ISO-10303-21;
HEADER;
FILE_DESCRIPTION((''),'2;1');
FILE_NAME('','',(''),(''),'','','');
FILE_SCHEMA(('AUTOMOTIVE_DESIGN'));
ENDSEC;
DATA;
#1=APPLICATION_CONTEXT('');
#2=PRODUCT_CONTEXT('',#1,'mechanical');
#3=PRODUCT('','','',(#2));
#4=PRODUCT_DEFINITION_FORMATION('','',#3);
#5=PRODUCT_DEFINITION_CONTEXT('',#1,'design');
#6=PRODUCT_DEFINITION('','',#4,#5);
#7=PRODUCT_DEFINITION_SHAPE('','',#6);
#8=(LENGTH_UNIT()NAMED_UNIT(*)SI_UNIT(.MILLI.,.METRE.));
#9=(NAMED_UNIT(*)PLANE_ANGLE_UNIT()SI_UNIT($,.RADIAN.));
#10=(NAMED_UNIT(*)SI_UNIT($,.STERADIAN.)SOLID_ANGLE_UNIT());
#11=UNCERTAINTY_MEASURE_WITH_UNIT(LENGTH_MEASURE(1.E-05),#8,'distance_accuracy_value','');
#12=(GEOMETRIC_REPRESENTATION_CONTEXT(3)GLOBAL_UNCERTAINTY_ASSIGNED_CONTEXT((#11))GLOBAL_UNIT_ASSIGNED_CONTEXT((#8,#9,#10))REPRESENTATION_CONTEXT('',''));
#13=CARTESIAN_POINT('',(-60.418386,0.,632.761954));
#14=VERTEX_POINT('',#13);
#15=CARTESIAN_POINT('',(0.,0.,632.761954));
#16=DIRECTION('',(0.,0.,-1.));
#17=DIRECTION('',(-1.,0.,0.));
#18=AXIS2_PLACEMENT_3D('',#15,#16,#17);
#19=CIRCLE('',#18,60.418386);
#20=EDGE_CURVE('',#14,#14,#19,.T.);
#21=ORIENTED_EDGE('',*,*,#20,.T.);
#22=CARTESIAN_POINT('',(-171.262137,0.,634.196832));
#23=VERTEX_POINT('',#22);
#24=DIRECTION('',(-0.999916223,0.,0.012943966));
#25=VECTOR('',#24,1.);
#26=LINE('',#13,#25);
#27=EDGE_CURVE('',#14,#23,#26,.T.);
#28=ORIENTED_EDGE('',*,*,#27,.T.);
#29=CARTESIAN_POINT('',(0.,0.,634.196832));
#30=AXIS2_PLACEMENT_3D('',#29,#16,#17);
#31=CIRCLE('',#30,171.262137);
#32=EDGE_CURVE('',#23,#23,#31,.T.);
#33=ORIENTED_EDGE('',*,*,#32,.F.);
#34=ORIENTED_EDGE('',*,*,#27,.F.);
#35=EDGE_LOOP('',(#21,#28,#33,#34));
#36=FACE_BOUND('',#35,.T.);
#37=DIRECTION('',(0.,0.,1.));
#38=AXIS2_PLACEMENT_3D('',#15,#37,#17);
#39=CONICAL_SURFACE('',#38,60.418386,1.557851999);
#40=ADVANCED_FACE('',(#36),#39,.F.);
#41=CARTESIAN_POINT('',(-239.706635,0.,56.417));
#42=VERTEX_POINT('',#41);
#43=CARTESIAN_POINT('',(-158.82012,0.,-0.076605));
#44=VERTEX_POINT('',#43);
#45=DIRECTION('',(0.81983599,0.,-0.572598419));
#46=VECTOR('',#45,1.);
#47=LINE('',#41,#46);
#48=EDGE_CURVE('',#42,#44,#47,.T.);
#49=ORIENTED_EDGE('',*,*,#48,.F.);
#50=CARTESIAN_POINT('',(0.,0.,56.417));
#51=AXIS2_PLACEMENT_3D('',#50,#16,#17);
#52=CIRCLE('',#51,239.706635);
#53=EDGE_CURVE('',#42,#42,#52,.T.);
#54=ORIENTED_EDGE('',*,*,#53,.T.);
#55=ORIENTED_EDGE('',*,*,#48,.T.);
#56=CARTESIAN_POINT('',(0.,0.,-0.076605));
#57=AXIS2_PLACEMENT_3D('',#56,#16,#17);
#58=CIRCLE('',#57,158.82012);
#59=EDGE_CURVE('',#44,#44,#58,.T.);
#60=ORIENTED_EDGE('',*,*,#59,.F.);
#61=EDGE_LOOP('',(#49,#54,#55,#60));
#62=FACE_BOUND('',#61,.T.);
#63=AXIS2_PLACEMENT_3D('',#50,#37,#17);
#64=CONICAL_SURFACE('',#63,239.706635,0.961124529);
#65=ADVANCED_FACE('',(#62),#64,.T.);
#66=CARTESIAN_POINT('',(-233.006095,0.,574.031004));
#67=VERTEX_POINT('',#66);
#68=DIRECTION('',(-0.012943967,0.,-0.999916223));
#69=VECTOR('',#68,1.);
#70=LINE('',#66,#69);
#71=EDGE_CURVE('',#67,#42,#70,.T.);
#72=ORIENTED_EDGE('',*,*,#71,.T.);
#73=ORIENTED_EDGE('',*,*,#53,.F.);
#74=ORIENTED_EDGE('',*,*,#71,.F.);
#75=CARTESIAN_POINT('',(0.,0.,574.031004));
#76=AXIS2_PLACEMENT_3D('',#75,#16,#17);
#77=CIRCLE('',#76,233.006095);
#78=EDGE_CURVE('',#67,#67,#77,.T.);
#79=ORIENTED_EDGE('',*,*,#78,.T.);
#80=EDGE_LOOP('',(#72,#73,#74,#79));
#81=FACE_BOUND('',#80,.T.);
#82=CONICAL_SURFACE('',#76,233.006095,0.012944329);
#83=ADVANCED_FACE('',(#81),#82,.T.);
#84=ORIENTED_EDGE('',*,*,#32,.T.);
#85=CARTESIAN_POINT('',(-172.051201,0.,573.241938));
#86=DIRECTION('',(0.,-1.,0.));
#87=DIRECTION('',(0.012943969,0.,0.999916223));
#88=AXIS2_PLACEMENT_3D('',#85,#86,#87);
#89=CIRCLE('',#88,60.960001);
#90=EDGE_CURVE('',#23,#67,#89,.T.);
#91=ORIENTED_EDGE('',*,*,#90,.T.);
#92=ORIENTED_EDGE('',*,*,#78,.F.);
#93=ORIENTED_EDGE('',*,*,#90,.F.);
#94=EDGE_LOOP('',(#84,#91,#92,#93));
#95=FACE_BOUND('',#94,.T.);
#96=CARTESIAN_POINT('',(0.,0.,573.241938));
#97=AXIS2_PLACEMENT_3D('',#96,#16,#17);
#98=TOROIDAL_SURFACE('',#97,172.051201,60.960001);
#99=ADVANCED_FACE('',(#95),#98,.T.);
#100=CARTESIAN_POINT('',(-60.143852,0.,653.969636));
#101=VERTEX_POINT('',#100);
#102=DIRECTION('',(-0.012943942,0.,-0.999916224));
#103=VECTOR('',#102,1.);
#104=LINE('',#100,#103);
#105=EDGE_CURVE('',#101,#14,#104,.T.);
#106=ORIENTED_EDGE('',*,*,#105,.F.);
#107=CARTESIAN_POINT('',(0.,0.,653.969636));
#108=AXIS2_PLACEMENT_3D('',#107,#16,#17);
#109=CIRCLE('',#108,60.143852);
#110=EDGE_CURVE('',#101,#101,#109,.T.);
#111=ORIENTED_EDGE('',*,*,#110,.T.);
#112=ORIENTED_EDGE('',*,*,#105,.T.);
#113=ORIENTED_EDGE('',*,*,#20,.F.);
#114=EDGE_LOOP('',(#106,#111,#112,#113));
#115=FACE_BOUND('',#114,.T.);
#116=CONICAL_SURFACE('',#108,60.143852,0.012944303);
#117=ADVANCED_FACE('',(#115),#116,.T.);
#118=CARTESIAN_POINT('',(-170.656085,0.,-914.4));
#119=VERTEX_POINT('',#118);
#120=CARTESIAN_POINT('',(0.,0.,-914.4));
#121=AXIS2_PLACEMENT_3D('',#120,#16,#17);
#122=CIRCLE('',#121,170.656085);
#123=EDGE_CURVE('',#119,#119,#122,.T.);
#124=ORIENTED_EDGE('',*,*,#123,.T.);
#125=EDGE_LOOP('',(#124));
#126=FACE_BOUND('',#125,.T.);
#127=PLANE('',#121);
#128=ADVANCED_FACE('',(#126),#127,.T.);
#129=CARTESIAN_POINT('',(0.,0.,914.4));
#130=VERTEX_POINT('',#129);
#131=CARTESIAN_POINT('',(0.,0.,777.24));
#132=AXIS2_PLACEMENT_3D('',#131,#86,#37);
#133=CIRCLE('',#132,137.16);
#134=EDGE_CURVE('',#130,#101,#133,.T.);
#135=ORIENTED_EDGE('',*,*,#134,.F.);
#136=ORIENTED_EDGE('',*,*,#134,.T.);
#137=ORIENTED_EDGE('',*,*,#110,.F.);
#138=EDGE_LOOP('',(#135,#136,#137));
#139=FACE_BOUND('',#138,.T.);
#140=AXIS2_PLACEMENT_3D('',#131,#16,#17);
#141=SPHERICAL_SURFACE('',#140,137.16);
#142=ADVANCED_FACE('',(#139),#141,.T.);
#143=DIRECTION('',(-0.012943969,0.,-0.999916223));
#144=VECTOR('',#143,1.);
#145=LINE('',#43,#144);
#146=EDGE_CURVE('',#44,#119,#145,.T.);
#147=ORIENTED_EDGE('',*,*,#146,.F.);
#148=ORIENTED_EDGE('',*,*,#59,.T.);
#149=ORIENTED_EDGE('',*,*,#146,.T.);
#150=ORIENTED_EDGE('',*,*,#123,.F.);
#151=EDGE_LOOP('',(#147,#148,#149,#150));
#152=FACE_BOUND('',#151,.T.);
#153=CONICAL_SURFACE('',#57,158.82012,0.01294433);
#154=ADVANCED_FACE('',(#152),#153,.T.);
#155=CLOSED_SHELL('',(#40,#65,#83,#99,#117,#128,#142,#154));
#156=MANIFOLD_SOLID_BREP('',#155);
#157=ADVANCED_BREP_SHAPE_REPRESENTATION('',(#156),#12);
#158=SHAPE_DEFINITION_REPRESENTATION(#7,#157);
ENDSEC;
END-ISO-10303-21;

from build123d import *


with BuildPart() as f1:
    # F0 (on Front) → F1 (revolve)
    with BuildSketch(Plane.XZ):
        with BuildLine():
            Line((-170.656085, -914.4), (0, -914.4))
            Line((0, -914.4), (0, 914.4))
            ThreePointArc((0, 914.4), (-133.642487, 808.103429), (-60.143852, 653.969636))
            Line((-60.143852, 653.969636), (-60.418386, 632.761954))
            Line((-60.418386, 632.761954), (-171.262137, 634.196832))
            ThreePointArc((-171.262137, 634.196832), (-214.594867, 616.90151), (-233.006095, 574.031004))
            Line((-233.006095, 574.031004), (-239.706635, 56.417))
            Line((-239.706635, 56.417), (-158.82012, -0.076605))
            Line((-158.82012, -0.076605), (-170.656085, -914.4))
        make_face()
    revolve(axis=Axis((0, 0, 0), (0, 0, -1)))


solid = f1.part
